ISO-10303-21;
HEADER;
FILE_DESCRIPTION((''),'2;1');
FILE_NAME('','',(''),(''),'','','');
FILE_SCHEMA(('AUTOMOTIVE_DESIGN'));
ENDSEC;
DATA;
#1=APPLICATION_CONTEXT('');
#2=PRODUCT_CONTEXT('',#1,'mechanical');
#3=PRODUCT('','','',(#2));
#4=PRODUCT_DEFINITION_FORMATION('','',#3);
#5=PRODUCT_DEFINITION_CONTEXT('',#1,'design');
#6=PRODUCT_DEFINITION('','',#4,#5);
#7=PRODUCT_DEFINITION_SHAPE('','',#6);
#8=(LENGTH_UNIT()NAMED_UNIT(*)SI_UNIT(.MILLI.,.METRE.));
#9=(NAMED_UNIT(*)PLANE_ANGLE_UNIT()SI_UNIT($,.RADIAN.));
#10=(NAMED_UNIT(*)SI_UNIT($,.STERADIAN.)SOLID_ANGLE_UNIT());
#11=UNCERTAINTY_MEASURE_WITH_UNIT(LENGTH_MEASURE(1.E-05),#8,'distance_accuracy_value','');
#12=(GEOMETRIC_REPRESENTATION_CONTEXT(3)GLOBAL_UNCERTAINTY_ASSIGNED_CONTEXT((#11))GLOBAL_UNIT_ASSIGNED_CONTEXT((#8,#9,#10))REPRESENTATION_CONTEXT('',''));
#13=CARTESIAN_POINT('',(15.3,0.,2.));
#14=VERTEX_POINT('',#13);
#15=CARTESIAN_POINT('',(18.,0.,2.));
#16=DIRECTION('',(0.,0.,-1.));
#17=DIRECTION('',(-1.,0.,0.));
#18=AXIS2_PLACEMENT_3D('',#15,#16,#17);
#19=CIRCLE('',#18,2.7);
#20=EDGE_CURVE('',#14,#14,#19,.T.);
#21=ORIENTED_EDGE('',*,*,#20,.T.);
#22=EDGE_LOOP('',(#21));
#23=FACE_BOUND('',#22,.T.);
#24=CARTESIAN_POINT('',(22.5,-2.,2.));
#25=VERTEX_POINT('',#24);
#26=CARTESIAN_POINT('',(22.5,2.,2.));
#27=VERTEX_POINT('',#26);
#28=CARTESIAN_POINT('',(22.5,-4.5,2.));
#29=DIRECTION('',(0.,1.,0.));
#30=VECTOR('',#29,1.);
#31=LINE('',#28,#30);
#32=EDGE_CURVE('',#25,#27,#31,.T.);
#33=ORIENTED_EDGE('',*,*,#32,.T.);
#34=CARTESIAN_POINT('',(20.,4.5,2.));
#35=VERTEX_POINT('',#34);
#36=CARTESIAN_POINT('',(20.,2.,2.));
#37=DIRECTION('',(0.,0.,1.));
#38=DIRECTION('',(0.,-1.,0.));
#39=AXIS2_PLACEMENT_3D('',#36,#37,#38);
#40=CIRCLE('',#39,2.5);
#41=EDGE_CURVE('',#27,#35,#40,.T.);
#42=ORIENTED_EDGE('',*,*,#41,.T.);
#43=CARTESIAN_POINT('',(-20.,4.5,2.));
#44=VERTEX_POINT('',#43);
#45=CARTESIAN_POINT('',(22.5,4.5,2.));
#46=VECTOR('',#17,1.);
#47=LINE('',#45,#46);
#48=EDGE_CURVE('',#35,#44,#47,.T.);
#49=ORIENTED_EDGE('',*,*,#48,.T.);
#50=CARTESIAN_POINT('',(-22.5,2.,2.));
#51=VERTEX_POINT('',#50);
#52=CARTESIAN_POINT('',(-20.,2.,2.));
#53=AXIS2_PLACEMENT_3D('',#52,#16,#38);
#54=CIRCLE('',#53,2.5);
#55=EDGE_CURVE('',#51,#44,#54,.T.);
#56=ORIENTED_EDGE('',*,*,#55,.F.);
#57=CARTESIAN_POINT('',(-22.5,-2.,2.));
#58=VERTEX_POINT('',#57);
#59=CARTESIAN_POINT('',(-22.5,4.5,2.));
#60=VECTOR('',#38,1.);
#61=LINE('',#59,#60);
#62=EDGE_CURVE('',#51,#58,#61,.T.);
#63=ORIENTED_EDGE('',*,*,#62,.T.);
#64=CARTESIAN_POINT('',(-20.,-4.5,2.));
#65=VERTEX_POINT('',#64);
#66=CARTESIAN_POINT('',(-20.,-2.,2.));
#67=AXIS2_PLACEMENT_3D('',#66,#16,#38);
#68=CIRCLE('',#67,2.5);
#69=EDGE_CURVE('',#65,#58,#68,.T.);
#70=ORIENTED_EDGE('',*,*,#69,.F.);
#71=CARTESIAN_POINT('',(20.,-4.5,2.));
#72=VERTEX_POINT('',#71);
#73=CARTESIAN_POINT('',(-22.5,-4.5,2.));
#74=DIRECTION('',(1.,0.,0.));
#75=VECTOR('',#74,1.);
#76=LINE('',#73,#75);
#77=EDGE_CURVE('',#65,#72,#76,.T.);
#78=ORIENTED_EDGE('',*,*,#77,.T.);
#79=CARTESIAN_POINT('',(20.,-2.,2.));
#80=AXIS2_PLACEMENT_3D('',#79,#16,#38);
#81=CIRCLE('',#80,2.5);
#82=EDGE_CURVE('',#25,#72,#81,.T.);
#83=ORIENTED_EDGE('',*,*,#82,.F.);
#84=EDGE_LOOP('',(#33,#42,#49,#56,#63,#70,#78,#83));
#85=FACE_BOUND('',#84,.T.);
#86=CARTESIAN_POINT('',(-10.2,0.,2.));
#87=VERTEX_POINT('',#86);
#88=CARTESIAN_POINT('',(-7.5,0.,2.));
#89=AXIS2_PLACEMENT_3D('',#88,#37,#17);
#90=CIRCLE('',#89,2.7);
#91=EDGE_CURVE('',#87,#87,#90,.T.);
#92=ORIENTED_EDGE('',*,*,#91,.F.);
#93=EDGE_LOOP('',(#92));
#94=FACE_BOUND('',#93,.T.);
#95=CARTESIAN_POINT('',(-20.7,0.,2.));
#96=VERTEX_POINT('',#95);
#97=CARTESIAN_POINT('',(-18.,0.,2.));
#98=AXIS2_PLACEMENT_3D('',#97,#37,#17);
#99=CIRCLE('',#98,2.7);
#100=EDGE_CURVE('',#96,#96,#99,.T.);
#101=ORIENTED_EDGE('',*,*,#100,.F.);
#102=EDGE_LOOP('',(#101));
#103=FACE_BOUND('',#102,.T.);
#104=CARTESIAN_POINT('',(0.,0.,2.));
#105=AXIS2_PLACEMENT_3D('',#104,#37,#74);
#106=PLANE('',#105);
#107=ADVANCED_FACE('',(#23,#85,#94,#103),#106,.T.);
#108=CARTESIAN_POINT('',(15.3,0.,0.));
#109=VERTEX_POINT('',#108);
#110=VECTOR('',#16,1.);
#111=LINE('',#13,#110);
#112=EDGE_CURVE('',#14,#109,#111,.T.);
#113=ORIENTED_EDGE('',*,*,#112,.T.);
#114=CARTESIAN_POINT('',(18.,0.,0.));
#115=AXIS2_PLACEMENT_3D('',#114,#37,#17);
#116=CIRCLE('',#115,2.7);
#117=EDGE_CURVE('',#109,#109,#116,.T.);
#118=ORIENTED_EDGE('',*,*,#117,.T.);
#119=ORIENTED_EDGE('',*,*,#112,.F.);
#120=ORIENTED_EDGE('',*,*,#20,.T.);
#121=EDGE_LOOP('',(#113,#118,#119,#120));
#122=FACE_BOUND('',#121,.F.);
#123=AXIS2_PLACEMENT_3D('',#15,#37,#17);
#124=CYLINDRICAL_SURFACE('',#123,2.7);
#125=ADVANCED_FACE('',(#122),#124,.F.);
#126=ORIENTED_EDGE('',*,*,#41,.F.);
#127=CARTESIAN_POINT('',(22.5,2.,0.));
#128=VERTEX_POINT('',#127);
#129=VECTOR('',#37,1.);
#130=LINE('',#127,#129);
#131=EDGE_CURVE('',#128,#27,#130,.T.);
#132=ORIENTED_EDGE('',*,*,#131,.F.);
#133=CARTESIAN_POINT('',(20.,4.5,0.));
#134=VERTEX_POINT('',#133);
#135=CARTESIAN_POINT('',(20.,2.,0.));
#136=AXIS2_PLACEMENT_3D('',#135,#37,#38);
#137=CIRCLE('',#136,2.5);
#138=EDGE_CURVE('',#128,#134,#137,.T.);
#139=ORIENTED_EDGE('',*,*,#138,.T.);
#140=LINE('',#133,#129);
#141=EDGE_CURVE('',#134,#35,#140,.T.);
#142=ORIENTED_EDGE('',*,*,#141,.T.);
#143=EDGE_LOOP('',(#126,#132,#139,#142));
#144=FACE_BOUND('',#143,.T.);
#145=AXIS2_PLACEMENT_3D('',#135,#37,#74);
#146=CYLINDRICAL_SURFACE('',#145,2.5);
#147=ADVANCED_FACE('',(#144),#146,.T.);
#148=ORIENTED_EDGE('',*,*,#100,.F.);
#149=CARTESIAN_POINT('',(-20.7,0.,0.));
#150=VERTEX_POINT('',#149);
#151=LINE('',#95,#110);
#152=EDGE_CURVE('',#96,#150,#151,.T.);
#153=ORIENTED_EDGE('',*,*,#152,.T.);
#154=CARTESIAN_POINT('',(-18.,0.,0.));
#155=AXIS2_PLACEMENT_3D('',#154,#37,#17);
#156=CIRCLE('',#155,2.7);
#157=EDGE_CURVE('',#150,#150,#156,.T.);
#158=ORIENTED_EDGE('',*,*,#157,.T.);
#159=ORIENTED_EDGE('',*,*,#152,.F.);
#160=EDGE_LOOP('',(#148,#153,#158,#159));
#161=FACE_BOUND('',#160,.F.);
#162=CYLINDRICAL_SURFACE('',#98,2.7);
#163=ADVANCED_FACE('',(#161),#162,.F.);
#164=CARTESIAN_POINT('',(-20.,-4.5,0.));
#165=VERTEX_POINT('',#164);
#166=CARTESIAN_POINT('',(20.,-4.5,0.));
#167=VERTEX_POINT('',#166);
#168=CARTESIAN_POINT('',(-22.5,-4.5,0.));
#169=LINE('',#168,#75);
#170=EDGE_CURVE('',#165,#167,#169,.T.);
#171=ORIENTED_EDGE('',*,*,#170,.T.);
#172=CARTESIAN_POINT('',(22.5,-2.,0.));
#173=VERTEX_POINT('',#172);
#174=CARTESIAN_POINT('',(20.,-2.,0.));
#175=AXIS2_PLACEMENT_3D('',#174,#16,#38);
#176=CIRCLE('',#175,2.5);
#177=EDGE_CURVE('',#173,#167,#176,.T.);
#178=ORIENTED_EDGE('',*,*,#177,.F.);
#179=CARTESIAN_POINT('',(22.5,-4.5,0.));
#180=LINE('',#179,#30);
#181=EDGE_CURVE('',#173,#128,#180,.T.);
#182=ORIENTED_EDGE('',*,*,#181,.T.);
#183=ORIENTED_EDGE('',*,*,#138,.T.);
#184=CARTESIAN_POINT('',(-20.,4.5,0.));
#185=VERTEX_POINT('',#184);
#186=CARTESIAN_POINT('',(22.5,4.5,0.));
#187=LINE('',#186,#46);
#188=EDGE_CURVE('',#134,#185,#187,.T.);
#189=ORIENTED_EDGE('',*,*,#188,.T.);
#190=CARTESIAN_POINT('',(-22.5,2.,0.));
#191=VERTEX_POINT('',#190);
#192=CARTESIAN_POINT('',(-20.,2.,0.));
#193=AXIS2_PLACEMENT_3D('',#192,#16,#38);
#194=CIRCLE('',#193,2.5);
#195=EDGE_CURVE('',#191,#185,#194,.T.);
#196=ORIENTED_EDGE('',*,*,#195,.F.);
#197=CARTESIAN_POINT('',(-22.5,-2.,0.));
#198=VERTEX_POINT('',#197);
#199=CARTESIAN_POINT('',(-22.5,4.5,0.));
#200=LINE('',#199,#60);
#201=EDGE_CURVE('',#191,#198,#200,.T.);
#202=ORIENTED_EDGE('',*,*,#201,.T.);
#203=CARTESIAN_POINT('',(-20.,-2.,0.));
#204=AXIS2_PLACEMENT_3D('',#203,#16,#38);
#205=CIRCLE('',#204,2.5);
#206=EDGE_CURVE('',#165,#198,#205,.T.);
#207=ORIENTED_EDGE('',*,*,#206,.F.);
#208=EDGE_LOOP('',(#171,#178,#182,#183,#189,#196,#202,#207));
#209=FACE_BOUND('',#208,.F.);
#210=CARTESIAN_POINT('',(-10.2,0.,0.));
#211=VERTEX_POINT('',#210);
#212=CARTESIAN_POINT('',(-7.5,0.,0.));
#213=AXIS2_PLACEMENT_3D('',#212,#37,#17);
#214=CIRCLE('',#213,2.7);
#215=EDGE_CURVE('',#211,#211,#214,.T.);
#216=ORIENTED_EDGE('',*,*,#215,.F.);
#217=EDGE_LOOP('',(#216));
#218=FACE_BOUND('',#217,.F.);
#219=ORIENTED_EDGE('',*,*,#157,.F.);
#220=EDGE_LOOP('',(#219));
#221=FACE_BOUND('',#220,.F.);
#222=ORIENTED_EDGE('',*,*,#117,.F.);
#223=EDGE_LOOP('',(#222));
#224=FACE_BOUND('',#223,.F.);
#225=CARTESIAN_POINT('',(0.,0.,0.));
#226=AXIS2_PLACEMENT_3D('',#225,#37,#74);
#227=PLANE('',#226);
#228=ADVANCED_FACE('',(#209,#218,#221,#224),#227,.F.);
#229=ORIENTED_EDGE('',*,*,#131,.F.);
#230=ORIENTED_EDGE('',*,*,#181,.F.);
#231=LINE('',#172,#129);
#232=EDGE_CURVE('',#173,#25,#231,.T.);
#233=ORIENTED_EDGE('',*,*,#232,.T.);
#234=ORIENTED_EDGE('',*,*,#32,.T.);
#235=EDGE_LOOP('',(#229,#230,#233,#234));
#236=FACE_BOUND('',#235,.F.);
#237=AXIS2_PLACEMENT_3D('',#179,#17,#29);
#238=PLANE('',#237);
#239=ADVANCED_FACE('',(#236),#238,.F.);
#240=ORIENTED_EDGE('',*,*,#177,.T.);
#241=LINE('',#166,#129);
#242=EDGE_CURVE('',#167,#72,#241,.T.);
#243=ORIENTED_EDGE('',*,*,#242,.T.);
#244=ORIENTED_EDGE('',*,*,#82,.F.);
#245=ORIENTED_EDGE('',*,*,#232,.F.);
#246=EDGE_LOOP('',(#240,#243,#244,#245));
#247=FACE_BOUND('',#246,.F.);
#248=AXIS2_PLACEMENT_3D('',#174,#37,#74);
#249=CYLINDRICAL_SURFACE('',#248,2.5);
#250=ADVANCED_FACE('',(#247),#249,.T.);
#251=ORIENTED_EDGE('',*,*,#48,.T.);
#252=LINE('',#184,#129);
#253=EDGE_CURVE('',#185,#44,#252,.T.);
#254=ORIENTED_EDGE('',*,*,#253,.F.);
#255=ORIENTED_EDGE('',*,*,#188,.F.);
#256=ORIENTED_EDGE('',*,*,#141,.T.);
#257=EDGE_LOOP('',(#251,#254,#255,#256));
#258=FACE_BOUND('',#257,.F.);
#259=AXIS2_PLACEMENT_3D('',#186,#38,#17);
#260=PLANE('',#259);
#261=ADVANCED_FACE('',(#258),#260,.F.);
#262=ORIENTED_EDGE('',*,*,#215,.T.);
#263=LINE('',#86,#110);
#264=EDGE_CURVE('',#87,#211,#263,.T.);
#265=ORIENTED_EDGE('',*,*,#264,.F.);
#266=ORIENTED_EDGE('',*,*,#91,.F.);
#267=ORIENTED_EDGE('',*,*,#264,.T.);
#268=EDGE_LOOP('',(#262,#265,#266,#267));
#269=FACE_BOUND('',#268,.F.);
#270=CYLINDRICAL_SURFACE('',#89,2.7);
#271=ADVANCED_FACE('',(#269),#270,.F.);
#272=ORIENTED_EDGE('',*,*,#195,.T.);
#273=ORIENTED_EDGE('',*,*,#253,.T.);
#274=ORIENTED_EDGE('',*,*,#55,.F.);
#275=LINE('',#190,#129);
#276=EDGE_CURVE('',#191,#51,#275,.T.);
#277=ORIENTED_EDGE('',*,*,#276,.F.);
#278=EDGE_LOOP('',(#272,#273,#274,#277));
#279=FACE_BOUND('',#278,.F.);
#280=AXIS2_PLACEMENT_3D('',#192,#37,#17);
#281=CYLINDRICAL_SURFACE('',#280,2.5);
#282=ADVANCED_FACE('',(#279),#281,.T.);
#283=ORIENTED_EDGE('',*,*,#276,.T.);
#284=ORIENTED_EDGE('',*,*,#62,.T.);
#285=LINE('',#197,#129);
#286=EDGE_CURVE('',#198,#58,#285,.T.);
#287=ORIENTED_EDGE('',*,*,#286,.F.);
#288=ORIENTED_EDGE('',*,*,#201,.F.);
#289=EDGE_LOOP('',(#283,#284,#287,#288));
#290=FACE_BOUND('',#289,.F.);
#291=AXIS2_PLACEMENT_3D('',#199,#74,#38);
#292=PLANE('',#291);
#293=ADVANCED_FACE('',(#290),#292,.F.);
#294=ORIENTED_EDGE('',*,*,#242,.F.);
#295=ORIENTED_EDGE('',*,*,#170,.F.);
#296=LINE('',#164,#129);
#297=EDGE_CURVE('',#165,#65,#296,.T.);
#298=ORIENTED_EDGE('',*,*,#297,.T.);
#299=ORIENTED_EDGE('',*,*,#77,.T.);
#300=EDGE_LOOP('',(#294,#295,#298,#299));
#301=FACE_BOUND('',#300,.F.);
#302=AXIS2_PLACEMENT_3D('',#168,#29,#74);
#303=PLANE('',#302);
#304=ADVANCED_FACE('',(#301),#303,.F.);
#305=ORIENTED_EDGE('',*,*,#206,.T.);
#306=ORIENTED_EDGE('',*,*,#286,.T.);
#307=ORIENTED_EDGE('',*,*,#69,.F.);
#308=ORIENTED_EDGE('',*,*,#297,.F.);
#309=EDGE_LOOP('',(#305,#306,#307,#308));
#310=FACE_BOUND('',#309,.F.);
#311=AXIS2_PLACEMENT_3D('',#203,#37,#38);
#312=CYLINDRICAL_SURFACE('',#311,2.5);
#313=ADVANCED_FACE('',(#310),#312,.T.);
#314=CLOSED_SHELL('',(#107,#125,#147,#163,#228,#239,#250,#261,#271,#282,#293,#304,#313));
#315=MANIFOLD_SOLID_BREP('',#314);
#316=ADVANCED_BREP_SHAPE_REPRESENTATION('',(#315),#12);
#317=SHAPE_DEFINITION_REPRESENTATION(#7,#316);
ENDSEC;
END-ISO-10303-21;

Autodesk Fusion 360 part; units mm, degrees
sketch "Sketch1" plane through (0, 0, 0) normal (0, 0, 1) x (1, 0, 0)
  line L0 (22.5, 4.5) -> (-22.5, 4.5)
  line L1 (-22.5, 4.5) -> (-22.5, -4.5)
  line L2 (-22.5, -4.5) -> (22.5, -4.5)
  line L3 (22.5, -4.5) -> (22.5, 4.5)
  line L4 (22.5, 4.5) -> (-22.5, -4.5) construction
  line L5 (-22.5, 4.5) -> (22.5, -4.5) construction
  dimension "d1" = 45
  dimension "d2" = 9
extrude "Extrude1" add sketch "Sketch1" along normal blind 2
fillet "Fillet1" radius 2.5 4 edges at (-22.5, 4.5, 1) (-22.5, -4.5, 1) (22.5, -4.5, 1) (22.5, 4.5, 1)
sketch "Sketch2" plane through (0, 0, 2) normal (0, 0, 1) x (-1, 0, 0)
  arc A0 (-22.5, -2) -> (-20, -4.5) centre (-20, -2) ccw
  line L0 (-20, -4.5) -> (20, -4.5)
  arc A1 (22.5, 2) -> (20, 4.5) centre (20, 2) ccw
  line L1 (20, 4.5) -> (-20, 4.5)
  arc A2 (20, -4.5) -> (22.5, -2) centre (20, -2) ccw
  line L2 (22.5, -2) -> (22.5, 2)
  arc A3 (-20, 4.5) -> (-22.5, 2) centre (-20, 2) ccw
  line L3 (-22.5, 2) -> (-22.5, -2)
  line L4 (22.5, 0) -> (-22.5, 0) construction
  line L5 (22.5, 0) -> (18, 0)
  line L6 (-22.5, 0) -> (-18, 0)
  circle A4 centre (18, 0) radius 2.7
  circle A5 centre (-18, 0) radius 2.7
  dimension "d15" = 4.5
  dimension "d16" = 4.5
  dimension "d17" = 5.4
  dimension "d18" = 5.4
extrude "Extrude2" cut sketch "Sketch2" against normal blind 3 contours A4 | A5
sketch "Sketch3" plane through (0, 0, 2) normal (0, 0, 1) x (-1, 0, 0)
  arc A0 (-22.5, -2) -> (-20, -4.5) centre (-20, -2) ccw
  line L0 (-20, -4.5) -> (20, -4.5)
  arc A1 (22.5, 2) -> (20, 4.5) centre (20, 2) ccw
  line L1 (20, 4.5) -> (-20, 4.5)
  arc A2 (20, -4.5) -> (22.5, -2) centre (20, -2) ccw
  line L2 (22.5, -2) -> (22.5, 2)
  arc A3 (-20, 4.5) -> (-22.5, 2) centre (-20, 2) ccw
  line L3 (-22.5, 2) -> (-22.5, -2)
  circle A4 centre (18, 0) radius 2.7
  circle A5 centre (-18, 0) radius 2.7
  line L4 (22.5, 0) -> (-22.5, 0) construction
  line L5 (22.5, 0) -> (7.5, 0)
  circle A6 centre (7.5, 0) radius 2.7
  dimension "d19" = 15
  dimension "d20" = 5.4
extrude "Extrude3" cut sketch "Sketch3" against normal blind 2 contours A6
